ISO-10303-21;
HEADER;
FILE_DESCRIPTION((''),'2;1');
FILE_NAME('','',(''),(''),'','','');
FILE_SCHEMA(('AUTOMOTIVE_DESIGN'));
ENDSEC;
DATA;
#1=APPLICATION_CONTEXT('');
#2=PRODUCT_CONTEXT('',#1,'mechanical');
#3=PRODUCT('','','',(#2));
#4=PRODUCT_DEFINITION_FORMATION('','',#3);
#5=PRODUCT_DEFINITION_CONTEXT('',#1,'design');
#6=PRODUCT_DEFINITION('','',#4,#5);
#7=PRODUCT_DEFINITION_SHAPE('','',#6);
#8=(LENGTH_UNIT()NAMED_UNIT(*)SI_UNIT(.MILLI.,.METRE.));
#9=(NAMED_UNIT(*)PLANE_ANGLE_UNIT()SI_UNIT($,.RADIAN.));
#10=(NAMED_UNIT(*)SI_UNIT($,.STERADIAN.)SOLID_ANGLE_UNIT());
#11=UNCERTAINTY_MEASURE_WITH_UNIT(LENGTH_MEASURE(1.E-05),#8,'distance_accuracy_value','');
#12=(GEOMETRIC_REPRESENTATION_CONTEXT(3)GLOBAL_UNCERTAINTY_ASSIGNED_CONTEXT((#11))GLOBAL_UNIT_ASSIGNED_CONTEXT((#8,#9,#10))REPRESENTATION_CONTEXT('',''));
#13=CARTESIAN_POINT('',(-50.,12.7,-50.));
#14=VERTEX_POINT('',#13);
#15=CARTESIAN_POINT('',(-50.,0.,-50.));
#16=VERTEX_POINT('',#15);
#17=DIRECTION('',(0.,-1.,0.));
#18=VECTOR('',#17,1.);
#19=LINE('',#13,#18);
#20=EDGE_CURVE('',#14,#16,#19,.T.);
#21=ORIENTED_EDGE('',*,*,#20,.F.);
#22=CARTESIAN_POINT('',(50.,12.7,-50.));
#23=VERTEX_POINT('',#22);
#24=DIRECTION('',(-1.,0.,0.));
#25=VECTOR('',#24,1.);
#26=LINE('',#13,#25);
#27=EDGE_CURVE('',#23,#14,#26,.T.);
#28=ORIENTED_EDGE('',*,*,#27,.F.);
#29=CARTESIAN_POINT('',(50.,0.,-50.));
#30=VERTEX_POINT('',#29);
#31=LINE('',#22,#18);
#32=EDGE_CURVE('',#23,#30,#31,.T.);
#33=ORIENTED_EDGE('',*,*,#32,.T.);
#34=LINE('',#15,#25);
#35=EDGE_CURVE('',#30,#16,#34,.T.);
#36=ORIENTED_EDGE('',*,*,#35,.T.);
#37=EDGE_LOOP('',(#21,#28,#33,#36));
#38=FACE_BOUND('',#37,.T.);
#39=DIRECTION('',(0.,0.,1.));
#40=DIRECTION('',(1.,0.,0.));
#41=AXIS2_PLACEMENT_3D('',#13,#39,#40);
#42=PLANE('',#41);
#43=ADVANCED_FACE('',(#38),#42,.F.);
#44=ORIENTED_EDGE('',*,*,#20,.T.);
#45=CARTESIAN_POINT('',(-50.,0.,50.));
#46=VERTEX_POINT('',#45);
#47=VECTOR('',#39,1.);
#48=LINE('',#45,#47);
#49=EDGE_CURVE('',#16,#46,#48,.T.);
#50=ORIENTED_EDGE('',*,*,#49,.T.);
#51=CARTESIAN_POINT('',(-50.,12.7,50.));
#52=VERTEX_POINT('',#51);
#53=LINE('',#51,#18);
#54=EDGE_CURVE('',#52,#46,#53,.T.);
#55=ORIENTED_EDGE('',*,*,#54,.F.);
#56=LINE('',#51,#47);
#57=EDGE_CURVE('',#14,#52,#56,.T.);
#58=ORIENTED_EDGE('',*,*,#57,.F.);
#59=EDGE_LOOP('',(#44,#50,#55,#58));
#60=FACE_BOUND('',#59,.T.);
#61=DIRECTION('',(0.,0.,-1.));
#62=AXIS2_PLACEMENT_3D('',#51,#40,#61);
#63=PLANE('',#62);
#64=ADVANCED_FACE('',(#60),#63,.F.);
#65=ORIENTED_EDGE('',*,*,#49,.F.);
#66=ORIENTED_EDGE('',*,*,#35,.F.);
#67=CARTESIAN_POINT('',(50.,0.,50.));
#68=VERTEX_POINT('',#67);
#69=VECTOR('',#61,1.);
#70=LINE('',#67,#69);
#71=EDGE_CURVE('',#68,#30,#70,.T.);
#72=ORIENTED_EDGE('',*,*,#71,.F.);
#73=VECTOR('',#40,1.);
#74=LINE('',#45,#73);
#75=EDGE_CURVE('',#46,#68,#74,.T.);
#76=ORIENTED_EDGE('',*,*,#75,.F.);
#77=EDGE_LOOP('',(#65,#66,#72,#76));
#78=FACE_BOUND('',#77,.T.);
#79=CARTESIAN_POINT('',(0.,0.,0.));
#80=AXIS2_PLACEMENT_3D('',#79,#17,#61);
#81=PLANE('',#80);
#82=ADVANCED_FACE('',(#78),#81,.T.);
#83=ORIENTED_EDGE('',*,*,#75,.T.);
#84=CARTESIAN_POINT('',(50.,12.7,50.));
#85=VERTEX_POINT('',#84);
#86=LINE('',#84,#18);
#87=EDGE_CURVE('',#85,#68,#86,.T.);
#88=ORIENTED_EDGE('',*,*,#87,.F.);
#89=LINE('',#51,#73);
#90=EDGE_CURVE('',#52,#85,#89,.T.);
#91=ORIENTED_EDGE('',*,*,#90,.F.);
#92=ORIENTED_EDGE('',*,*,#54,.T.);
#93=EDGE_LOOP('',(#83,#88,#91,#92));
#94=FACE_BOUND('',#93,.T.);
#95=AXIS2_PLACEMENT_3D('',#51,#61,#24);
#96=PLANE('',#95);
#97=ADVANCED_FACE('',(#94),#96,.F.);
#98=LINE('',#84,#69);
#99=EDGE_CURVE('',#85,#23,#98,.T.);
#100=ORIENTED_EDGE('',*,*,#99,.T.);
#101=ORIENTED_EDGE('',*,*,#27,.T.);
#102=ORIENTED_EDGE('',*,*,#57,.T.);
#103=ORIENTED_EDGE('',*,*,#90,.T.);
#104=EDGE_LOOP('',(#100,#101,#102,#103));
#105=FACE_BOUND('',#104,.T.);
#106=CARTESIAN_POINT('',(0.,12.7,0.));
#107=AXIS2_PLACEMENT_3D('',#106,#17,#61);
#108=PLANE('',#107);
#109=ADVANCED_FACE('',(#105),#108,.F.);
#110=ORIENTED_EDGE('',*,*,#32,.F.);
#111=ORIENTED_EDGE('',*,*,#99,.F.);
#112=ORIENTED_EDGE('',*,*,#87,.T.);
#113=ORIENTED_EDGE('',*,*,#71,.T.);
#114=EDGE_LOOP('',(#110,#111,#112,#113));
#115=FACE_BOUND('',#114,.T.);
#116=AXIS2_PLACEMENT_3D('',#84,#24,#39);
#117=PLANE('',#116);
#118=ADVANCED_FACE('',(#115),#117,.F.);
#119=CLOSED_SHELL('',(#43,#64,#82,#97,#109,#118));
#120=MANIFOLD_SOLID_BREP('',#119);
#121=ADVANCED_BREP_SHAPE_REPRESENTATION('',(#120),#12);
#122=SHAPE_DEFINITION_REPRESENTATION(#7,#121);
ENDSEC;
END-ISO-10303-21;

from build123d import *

# Parameters (mm, degrees)
SKETCH1_W           = 100
SKETCH1_H           = 100
BOSS_EXTRUDE1_DEPTH = 12.7


with BuildPart() as part:
    # Sketch1 → Boss-Extrude1 (new body)
    with BuildSketch(Plane(origin=(0, 0, 0), x_dir=(1, 0, 0), z_dir=(0, 1, 0))):
        Rectangle(SKETCH1_W, SKETCH1_H)
    extrude(amount=BOSS_EXTRUDE1_DEPTH)


solid = part.part
